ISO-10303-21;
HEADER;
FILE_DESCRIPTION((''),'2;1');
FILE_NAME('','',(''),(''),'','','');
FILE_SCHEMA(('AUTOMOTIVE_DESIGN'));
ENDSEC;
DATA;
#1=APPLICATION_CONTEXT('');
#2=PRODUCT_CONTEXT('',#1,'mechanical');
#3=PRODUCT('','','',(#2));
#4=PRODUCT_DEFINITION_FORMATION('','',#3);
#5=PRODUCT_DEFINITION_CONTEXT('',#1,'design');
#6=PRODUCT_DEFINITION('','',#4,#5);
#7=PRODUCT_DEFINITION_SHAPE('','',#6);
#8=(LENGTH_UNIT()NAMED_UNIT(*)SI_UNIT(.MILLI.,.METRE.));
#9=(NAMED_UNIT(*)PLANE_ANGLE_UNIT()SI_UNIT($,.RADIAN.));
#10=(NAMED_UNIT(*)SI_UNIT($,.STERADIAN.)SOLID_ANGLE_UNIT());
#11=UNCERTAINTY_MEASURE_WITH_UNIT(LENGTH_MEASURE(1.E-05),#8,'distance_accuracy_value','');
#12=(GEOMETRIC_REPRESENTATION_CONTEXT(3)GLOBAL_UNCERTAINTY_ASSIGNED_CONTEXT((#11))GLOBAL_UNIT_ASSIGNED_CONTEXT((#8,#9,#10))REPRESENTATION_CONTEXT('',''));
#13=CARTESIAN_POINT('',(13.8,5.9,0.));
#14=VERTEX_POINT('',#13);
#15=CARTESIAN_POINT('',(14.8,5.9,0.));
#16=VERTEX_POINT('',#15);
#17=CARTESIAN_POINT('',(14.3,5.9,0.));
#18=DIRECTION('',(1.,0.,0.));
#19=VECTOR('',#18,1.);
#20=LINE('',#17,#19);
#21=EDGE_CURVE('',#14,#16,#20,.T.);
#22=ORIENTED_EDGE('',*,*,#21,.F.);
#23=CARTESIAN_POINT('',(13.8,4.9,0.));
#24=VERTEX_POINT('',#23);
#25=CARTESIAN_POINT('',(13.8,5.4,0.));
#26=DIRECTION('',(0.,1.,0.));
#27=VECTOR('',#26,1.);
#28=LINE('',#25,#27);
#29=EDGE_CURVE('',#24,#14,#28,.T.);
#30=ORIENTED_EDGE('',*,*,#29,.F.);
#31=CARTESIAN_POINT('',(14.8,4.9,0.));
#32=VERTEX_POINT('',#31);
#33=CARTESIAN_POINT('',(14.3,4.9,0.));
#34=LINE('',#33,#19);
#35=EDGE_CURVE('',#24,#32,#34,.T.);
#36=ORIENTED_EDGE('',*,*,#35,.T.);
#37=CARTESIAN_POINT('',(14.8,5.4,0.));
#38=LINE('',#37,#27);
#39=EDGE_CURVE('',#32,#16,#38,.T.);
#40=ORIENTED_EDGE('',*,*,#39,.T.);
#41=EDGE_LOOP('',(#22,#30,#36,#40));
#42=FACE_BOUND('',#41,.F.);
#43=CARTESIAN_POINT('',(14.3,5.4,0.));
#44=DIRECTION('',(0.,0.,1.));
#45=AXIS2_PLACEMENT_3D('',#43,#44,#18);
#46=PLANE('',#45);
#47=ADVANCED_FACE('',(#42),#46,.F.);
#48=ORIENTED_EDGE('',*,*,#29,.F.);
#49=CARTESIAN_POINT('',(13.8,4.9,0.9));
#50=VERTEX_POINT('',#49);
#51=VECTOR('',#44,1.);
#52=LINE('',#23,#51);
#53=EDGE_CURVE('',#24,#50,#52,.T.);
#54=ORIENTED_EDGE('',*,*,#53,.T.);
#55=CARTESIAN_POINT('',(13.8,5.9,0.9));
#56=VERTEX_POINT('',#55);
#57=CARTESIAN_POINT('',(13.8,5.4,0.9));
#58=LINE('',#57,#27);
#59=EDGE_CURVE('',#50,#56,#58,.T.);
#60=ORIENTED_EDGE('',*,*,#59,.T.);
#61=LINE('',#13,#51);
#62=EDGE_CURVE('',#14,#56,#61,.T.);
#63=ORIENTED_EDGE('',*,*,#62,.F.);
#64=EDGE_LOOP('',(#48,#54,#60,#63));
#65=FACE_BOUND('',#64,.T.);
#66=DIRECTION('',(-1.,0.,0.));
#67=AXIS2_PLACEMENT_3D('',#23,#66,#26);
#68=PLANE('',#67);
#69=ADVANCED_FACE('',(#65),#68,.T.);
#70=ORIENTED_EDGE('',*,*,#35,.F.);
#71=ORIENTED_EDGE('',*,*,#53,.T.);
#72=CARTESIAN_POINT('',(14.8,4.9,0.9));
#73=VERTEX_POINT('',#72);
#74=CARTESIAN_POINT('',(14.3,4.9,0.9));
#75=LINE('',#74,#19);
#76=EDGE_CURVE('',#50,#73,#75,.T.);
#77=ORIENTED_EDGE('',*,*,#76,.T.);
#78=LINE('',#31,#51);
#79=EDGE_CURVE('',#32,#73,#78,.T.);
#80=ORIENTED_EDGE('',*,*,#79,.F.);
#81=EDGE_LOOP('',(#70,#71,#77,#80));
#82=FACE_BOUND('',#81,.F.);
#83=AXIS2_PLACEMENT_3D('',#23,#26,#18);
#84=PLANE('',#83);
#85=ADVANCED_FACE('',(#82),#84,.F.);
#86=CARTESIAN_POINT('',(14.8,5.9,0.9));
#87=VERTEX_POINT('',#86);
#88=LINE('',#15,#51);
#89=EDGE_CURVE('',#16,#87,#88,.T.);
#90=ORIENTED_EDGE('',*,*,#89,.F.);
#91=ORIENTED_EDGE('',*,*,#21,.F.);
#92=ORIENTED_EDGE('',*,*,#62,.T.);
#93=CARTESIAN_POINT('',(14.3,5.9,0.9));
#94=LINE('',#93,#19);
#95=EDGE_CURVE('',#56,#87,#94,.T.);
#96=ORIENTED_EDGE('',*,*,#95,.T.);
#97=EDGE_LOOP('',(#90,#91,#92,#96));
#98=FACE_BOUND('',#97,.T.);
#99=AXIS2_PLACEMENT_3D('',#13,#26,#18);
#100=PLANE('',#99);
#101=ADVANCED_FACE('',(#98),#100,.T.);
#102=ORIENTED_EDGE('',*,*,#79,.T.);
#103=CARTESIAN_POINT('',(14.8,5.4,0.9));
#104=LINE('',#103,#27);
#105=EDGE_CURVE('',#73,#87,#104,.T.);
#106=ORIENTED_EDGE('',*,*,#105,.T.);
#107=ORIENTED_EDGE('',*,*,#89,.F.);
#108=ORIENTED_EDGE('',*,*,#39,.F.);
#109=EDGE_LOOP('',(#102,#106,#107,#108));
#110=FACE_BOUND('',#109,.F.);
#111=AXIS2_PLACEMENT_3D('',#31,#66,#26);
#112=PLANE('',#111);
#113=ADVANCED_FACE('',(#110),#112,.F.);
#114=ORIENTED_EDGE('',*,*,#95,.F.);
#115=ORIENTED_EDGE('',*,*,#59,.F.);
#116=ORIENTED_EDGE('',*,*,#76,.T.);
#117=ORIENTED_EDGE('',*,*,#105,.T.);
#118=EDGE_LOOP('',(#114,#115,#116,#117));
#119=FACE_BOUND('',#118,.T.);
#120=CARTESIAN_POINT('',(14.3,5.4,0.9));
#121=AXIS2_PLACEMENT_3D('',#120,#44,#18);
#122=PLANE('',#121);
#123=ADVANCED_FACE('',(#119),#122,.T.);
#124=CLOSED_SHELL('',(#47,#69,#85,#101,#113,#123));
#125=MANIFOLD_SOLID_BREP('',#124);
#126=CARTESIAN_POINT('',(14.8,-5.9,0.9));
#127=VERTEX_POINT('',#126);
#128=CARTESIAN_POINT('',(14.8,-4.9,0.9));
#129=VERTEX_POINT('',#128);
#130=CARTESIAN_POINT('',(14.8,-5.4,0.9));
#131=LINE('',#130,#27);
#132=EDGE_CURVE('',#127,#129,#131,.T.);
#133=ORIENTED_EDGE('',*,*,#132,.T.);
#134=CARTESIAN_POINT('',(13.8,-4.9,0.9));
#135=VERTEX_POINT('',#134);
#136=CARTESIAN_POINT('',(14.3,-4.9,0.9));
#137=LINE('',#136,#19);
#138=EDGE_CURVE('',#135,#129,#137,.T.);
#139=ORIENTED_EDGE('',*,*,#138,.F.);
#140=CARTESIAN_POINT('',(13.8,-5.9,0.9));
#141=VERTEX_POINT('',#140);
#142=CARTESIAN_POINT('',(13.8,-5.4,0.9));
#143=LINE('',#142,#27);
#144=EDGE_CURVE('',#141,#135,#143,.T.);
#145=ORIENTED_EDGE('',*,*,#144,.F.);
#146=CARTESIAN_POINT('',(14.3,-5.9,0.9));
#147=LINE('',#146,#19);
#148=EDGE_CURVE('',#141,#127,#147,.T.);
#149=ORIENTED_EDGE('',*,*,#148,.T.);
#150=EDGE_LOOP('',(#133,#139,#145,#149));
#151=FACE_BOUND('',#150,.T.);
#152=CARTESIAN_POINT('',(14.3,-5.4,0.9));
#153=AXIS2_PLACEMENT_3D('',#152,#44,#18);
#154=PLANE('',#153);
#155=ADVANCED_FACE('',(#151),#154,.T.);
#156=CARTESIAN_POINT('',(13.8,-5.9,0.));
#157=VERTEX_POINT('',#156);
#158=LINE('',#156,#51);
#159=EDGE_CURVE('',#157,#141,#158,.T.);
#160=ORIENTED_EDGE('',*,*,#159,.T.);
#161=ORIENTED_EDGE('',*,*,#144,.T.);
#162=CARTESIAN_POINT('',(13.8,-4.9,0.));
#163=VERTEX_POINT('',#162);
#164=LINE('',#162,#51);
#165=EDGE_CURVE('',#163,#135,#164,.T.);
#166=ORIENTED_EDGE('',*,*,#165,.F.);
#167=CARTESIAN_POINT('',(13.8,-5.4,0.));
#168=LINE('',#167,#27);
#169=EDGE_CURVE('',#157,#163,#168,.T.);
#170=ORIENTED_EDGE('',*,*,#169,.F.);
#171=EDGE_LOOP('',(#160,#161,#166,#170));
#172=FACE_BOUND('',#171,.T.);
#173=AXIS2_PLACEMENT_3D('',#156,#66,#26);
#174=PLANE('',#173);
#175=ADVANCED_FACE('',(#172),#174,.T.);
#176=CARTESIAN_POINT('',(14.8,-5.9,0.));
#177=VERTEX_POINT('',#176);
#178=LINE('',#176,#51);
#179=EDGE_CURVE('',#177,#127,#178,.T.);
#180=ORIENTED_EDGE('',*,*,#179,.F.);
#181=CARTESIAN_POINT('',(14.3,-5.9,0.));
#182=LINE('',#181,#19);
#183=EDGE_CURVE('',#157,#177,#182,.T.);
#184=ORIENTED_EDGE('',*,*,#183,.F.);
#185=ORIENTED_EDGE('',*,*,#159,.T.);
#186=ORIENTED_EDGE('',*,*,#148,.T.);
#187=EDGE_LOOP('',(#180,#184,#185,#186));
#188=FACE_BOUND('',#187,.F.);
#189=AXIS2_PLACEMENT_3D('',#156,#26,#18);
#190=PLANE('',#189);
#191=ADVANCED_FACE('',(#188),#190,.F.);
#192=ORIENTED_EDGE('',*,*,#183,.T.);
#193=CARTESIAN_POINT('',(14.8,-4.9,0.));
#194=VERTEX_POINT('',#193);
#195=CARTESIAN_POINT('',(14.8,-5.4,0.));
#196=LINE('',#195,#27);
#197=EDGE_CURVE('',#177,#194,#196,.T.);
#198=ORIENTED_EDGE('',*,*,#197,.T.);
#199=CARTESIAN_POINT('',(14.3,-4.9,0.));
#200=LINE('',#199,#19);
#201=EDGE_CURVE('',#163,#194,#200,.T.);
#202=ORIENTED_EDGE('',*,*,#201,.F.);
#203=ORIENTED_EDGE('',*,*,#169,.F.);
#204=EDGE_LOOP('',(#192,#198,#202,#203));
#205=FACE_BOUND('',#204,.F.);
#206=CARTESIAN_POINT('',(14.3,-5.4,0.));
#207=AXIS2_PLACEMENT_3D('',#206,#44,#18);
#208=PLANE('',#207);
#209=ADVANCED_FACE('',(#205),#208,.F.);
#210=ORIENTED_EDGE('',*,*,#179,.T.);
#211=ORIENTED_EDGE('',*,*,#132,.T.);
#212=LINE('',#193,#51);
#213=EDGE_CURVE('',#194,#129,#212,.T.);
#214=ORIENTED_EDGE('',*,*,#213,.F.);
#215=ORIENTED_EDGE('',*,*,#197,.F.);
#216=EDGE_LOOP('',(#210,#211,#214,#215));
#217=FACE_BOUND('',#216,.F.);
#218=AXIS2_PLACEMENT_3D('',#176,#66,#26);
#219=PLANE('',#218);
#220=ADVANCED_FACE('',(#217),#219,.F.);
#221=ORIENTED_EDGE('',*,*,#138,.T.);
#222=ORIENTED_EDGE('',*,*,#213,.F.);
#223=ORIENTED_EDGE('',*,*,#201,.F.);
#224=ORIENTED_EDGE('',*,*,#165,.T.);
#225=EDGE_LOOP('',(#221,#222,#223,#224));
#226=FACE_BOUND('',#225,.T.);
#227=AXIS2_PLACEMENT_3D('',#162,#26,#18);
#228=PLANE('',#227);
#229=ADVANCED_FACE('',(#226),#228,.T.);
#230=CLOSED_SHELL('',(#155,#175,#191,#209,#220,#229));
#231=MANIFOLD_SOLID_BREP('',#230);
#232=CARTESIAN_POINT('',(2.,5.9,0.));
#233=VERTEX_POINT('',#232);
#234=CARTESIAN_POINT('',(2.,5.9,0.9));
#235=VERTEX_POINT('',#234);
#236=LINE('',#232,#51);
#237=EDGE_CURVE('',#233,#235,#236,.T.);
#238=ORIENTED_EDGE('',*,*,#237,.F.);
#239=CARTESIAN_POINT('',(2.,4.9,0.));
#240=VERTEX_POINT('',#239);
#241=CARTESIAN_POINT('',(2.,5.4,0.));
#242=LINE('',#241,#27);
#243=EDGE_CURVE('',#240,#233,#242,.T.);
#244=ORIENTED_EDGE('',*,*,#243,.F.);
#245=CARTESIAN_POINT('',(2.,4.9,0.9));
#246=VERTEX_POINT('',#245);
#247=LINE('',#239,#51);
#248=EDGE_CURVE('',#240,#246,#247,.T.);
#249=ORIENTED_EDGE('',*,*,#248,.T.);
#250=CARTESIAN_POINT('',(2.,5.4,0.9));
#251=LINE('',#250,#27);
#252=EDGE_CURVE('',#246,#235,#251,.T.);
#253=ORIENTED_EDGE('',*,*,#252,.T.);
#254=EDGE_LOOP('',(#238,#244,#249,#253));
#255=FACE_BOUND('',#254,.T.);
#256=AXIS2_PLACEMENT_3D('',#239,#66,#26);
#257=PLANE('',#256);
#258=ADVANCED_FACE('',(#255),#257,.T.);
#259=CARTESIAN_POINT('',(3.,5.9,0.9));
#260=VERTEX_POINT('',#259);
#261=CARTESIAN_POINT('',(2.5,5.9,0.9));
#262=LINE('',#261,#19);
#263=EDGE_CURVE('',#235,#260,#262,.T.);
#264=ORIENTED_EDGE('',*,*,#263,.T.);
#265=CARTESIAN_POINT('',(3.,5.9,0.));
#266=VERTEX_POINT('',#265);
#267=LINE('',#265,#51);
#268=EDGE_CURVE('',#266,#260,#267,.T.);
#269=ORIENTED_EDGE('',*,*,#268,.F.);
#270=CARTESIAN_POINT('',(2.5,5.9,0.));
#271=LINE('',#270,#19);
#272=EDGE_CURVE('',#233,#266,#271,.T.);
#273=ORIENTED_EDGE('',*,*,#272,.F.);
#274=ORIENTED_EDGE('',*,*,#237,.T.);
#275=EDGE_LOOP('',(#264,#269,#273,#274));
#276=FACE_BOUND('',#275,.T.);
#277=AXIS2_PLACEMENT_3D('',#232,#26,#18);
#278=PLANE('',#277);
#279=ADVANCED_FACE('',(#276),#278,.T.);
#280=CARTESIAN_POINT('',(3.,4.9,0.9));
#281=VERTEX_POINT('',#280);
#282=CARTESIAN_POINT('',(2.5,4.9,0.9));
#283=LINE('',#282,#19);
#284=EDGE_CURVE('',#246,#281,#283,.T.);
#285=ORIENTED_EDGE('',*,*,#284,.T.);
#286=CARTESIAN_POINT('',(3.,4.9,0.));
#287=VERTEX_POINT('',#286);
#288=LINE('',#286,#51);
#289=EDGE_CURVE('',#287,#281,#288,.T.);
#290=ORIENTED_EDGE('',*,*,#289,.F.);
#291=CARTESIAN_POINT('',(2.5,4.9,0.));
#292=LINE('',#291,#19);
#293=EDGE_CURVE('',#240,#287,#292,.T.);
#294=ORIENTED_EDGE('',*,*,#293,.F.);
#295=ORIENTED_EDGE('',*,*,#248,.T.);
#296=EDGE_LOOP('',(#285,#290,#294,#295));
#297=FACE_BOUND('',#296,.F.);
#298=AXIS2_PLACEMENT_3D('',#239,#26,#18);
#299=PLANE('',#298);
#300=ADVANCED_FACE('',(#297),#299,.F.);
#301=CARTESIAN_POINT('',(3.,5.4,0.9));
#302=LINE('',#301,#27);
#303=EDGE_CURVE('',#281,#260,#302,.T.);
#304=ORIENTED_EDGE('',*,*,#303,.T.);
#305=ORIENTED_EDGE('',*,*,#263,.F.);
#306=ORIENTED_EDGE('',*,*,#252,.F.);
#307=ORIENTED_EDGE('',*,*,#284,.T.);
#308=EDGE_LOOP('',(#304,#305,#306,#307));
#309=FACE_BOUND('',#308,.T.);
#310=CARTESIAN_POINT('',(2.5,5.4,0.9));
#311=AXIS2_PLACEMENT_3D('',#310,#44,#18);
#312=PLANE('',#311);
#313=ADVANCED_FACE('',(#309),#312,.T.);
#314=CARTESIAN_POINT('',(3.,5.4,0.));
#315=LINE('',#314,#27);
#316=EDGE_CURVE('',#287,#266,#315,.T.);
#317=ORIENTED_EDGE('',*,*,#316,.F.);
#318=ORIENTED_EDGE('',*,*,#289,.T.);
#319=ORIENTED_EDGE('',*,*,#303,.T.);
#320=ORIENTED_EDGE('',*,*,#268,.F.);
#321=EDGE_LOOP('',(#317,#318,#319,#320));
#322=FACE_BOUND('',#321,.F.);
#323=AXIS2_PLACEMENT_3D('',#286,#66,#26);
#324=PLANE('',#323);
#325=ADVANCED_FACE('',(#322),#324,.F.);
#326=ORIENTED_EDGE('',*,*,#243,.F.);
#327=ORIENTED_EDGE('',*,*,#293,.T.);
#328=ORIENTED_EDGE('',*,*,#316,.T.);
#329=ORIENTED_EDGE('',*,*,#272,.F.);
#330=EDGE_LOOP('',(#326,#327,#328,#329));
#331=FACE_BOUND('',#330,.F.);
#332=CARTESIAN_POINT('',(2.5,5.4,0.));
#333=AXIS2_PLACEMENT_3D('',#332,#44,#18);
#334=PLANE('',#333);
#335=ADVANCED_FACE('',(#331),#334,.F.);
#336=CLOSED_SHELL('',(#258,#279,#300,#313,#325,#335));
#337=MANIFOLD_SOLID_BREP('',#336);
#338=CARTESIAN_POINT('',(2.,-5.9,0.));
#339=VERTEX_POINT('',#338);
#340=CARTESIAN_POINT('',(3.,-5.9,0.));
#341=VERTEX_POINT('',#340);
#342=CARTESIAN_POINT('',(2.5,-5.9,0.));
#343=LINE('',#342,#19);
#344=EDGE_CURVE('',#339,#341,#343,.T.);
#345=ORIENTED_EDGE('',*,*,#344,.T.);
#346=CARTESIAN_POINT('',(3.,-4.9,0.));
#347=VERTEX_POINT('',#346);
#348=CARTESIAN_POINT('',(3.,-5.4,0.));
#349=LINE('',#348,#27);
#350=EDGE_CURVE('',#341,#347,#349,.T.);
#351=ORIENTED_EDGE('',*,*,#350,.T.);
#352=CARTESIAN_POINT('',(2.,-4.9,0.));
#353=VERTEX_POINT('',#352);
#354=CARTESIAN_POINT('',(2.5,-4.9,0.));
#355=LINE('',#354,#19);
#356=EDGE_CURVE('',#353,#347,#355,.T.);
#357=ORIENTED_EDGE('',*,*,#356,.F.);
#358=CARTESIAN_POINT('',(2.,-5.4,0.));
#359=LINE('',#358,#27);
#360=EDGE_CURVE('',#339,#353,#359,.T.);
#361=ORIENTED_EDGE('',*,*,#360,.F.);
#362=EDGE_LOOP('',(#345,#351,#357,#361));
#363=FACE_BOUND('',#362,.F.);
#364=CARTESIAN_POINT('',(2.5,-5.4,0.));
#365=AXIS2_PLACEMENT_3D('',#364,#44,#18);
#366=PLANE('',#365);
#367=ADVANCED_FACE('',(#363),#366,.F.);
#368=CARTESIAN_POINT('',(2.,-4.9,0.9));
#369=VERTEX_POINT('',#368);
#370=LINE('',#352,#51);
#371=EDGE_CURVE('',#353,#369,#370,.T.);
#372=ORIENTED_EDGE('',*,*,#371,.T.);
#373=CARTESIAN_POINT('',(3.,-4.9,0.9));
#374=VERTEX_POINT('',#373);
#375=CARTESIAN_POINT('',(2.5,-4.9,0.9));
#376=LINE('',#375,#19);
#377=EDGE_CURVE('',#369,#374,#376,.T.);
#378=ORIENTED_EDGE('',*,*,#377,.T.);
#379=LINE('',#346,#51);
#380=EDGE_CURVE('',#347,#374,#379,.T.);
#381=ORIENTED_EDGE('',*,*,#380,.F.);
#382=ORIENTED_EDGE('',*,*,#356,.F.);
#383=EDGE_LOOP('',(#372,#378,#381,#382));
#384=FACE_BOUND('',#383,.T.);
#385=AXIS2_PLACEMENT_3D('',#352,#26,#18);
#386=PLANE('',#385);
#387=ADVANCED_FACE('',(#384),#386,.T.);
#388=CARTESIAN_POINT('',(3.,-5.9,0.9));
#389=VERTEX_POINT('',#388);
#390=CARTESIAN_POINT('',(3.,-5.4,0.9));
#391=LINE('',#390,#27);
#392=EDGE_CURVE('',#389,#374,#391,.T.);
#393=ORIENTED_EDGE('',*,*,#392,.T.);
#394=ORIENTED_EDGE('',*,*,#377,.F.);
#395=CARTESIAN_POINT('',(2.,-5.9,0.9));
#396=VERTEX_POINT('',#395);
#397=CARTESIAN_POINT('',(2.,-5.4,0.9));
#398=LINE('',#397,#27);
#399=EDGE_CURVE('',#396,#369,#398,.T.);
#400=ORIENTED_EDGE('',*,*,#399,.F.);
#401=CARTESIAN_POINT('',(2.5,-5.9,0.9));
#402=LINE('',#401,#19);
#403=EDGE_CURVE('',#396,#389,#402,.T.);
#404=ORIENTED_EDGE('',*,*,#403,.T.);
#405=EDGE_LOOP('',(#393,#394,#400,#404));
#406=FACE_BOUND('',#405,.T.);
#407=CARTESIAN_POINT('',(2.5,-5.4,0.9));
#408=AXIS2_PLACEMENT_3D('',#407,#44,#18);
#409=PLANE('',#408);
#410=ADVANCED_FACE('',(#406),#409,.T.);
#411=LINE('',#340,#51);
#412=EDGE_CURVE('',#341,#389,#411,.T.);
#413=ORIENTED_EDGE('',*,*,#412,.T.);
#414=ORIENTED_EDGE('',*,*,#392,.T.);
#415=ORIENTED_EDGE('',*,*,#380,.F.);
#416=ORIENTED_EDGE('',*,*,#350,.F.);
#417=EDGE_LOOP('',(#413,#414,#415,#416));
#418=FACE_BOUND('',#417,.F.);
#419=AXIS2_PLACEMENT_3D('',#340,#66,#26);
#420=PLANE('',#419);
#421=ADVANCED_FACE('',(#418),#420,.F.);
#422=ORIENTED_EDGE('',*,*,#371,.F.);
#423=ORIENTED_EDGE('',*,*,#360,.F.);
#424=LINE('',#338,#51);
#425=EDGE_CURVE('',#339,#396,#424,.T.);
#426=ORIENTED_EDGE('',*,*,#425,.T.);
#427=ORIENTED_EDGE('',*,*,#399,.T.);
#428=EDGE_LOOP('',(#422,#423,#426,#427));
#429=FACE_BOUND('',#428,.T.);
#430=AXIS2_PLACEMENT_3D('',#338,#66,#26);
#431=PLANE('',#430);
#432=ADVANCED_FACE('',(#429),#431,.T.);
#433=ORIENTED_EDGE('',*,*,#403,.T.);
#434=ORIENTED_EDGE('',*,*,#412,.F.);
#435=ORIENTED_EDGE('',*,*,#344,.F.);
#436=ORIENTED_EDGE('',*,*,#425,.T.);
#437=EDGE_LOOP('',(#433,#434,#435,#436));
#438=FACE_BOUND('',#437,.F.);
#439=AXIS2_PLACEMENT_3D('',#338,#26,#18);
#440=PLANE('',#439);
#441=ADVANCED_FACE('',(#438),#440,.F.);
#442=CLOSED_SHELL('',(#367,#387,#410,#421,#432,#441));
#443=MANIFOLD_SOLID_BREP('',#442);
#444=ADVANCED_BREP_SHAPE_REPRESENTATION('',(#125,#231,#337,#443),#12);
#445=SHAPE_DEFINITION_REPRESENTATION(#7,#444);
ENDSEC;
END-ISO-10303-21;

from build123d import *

# Parameters (mm, degrees)
BOX002_W     = 1
BOX002_H     = 1
BOX002_DEPTH = 0.9
BOX003_W     = 1
BOX003_H     = 1
BOX003_DEPTH = 0.9
BOX001_W     = 1
BOX001_H     = 1
BOX001_DEPTH = 0.9
BOX004_W     = 1
BOX004_H     = 1
BOX004_DEPTH = 0.9


with BuildPart() as cube002:
    # Box002 → Box002 (new body)
    with BuildSketch(Plane(origin=(13.8, 4.9, 0), x_dir=(1, 0, 0), z_dir=(0, 0, 1))):
        with Locations((0.5, 0.5)):
            Rectangle(BOX002_W, BOX002_H)
    extrude(amount=BOX002_DEPTH)


with BuildPart() as cube003:
    # Box003 → Box003 (new body)
    with BuildSketch(Plane(origin=(2, -5.9, 0), x_dir=(1, 0, 0), z_dir=(0, 0, 1))):
        with Locations((0.5, 0.5)):
            Rectangle(BOX003_W, BOX003_H)
    extrude(amount=BOX003_DEPTH)


with BuildPart() as cube001:
    # Box001 → Box001 (new body)
    with BuildSketch(Plane(origin=(2, 4.9, 0), x_dir=(1, 0, 0), z_dir=(0, 0, 1))):
        with Locations((0.5, 0.5)):
            Rectangle(BOX001_W, BOX001_H)
    extrude(amount=BOX001_DEPTH)


with BuildPart() as pods:
    # Box004 → Box004 (new body)
    with BuildSketch(Plane(origin=(13.8, -5.9, 0), x_dir=(1, 0, 0), z_dir=(0, 0, 1))):
        with Locations((0.5, 0.5)):
            Rectangle(BOX004_W, BOX004_H)
    extrude(amount=BOX004_DEPTH)

    # Fusion004: union Cube002, Cube003, Cube001
    add(cube002.part)
    add(cube003.part)
    add(cube001.part)


solid = pods.part
